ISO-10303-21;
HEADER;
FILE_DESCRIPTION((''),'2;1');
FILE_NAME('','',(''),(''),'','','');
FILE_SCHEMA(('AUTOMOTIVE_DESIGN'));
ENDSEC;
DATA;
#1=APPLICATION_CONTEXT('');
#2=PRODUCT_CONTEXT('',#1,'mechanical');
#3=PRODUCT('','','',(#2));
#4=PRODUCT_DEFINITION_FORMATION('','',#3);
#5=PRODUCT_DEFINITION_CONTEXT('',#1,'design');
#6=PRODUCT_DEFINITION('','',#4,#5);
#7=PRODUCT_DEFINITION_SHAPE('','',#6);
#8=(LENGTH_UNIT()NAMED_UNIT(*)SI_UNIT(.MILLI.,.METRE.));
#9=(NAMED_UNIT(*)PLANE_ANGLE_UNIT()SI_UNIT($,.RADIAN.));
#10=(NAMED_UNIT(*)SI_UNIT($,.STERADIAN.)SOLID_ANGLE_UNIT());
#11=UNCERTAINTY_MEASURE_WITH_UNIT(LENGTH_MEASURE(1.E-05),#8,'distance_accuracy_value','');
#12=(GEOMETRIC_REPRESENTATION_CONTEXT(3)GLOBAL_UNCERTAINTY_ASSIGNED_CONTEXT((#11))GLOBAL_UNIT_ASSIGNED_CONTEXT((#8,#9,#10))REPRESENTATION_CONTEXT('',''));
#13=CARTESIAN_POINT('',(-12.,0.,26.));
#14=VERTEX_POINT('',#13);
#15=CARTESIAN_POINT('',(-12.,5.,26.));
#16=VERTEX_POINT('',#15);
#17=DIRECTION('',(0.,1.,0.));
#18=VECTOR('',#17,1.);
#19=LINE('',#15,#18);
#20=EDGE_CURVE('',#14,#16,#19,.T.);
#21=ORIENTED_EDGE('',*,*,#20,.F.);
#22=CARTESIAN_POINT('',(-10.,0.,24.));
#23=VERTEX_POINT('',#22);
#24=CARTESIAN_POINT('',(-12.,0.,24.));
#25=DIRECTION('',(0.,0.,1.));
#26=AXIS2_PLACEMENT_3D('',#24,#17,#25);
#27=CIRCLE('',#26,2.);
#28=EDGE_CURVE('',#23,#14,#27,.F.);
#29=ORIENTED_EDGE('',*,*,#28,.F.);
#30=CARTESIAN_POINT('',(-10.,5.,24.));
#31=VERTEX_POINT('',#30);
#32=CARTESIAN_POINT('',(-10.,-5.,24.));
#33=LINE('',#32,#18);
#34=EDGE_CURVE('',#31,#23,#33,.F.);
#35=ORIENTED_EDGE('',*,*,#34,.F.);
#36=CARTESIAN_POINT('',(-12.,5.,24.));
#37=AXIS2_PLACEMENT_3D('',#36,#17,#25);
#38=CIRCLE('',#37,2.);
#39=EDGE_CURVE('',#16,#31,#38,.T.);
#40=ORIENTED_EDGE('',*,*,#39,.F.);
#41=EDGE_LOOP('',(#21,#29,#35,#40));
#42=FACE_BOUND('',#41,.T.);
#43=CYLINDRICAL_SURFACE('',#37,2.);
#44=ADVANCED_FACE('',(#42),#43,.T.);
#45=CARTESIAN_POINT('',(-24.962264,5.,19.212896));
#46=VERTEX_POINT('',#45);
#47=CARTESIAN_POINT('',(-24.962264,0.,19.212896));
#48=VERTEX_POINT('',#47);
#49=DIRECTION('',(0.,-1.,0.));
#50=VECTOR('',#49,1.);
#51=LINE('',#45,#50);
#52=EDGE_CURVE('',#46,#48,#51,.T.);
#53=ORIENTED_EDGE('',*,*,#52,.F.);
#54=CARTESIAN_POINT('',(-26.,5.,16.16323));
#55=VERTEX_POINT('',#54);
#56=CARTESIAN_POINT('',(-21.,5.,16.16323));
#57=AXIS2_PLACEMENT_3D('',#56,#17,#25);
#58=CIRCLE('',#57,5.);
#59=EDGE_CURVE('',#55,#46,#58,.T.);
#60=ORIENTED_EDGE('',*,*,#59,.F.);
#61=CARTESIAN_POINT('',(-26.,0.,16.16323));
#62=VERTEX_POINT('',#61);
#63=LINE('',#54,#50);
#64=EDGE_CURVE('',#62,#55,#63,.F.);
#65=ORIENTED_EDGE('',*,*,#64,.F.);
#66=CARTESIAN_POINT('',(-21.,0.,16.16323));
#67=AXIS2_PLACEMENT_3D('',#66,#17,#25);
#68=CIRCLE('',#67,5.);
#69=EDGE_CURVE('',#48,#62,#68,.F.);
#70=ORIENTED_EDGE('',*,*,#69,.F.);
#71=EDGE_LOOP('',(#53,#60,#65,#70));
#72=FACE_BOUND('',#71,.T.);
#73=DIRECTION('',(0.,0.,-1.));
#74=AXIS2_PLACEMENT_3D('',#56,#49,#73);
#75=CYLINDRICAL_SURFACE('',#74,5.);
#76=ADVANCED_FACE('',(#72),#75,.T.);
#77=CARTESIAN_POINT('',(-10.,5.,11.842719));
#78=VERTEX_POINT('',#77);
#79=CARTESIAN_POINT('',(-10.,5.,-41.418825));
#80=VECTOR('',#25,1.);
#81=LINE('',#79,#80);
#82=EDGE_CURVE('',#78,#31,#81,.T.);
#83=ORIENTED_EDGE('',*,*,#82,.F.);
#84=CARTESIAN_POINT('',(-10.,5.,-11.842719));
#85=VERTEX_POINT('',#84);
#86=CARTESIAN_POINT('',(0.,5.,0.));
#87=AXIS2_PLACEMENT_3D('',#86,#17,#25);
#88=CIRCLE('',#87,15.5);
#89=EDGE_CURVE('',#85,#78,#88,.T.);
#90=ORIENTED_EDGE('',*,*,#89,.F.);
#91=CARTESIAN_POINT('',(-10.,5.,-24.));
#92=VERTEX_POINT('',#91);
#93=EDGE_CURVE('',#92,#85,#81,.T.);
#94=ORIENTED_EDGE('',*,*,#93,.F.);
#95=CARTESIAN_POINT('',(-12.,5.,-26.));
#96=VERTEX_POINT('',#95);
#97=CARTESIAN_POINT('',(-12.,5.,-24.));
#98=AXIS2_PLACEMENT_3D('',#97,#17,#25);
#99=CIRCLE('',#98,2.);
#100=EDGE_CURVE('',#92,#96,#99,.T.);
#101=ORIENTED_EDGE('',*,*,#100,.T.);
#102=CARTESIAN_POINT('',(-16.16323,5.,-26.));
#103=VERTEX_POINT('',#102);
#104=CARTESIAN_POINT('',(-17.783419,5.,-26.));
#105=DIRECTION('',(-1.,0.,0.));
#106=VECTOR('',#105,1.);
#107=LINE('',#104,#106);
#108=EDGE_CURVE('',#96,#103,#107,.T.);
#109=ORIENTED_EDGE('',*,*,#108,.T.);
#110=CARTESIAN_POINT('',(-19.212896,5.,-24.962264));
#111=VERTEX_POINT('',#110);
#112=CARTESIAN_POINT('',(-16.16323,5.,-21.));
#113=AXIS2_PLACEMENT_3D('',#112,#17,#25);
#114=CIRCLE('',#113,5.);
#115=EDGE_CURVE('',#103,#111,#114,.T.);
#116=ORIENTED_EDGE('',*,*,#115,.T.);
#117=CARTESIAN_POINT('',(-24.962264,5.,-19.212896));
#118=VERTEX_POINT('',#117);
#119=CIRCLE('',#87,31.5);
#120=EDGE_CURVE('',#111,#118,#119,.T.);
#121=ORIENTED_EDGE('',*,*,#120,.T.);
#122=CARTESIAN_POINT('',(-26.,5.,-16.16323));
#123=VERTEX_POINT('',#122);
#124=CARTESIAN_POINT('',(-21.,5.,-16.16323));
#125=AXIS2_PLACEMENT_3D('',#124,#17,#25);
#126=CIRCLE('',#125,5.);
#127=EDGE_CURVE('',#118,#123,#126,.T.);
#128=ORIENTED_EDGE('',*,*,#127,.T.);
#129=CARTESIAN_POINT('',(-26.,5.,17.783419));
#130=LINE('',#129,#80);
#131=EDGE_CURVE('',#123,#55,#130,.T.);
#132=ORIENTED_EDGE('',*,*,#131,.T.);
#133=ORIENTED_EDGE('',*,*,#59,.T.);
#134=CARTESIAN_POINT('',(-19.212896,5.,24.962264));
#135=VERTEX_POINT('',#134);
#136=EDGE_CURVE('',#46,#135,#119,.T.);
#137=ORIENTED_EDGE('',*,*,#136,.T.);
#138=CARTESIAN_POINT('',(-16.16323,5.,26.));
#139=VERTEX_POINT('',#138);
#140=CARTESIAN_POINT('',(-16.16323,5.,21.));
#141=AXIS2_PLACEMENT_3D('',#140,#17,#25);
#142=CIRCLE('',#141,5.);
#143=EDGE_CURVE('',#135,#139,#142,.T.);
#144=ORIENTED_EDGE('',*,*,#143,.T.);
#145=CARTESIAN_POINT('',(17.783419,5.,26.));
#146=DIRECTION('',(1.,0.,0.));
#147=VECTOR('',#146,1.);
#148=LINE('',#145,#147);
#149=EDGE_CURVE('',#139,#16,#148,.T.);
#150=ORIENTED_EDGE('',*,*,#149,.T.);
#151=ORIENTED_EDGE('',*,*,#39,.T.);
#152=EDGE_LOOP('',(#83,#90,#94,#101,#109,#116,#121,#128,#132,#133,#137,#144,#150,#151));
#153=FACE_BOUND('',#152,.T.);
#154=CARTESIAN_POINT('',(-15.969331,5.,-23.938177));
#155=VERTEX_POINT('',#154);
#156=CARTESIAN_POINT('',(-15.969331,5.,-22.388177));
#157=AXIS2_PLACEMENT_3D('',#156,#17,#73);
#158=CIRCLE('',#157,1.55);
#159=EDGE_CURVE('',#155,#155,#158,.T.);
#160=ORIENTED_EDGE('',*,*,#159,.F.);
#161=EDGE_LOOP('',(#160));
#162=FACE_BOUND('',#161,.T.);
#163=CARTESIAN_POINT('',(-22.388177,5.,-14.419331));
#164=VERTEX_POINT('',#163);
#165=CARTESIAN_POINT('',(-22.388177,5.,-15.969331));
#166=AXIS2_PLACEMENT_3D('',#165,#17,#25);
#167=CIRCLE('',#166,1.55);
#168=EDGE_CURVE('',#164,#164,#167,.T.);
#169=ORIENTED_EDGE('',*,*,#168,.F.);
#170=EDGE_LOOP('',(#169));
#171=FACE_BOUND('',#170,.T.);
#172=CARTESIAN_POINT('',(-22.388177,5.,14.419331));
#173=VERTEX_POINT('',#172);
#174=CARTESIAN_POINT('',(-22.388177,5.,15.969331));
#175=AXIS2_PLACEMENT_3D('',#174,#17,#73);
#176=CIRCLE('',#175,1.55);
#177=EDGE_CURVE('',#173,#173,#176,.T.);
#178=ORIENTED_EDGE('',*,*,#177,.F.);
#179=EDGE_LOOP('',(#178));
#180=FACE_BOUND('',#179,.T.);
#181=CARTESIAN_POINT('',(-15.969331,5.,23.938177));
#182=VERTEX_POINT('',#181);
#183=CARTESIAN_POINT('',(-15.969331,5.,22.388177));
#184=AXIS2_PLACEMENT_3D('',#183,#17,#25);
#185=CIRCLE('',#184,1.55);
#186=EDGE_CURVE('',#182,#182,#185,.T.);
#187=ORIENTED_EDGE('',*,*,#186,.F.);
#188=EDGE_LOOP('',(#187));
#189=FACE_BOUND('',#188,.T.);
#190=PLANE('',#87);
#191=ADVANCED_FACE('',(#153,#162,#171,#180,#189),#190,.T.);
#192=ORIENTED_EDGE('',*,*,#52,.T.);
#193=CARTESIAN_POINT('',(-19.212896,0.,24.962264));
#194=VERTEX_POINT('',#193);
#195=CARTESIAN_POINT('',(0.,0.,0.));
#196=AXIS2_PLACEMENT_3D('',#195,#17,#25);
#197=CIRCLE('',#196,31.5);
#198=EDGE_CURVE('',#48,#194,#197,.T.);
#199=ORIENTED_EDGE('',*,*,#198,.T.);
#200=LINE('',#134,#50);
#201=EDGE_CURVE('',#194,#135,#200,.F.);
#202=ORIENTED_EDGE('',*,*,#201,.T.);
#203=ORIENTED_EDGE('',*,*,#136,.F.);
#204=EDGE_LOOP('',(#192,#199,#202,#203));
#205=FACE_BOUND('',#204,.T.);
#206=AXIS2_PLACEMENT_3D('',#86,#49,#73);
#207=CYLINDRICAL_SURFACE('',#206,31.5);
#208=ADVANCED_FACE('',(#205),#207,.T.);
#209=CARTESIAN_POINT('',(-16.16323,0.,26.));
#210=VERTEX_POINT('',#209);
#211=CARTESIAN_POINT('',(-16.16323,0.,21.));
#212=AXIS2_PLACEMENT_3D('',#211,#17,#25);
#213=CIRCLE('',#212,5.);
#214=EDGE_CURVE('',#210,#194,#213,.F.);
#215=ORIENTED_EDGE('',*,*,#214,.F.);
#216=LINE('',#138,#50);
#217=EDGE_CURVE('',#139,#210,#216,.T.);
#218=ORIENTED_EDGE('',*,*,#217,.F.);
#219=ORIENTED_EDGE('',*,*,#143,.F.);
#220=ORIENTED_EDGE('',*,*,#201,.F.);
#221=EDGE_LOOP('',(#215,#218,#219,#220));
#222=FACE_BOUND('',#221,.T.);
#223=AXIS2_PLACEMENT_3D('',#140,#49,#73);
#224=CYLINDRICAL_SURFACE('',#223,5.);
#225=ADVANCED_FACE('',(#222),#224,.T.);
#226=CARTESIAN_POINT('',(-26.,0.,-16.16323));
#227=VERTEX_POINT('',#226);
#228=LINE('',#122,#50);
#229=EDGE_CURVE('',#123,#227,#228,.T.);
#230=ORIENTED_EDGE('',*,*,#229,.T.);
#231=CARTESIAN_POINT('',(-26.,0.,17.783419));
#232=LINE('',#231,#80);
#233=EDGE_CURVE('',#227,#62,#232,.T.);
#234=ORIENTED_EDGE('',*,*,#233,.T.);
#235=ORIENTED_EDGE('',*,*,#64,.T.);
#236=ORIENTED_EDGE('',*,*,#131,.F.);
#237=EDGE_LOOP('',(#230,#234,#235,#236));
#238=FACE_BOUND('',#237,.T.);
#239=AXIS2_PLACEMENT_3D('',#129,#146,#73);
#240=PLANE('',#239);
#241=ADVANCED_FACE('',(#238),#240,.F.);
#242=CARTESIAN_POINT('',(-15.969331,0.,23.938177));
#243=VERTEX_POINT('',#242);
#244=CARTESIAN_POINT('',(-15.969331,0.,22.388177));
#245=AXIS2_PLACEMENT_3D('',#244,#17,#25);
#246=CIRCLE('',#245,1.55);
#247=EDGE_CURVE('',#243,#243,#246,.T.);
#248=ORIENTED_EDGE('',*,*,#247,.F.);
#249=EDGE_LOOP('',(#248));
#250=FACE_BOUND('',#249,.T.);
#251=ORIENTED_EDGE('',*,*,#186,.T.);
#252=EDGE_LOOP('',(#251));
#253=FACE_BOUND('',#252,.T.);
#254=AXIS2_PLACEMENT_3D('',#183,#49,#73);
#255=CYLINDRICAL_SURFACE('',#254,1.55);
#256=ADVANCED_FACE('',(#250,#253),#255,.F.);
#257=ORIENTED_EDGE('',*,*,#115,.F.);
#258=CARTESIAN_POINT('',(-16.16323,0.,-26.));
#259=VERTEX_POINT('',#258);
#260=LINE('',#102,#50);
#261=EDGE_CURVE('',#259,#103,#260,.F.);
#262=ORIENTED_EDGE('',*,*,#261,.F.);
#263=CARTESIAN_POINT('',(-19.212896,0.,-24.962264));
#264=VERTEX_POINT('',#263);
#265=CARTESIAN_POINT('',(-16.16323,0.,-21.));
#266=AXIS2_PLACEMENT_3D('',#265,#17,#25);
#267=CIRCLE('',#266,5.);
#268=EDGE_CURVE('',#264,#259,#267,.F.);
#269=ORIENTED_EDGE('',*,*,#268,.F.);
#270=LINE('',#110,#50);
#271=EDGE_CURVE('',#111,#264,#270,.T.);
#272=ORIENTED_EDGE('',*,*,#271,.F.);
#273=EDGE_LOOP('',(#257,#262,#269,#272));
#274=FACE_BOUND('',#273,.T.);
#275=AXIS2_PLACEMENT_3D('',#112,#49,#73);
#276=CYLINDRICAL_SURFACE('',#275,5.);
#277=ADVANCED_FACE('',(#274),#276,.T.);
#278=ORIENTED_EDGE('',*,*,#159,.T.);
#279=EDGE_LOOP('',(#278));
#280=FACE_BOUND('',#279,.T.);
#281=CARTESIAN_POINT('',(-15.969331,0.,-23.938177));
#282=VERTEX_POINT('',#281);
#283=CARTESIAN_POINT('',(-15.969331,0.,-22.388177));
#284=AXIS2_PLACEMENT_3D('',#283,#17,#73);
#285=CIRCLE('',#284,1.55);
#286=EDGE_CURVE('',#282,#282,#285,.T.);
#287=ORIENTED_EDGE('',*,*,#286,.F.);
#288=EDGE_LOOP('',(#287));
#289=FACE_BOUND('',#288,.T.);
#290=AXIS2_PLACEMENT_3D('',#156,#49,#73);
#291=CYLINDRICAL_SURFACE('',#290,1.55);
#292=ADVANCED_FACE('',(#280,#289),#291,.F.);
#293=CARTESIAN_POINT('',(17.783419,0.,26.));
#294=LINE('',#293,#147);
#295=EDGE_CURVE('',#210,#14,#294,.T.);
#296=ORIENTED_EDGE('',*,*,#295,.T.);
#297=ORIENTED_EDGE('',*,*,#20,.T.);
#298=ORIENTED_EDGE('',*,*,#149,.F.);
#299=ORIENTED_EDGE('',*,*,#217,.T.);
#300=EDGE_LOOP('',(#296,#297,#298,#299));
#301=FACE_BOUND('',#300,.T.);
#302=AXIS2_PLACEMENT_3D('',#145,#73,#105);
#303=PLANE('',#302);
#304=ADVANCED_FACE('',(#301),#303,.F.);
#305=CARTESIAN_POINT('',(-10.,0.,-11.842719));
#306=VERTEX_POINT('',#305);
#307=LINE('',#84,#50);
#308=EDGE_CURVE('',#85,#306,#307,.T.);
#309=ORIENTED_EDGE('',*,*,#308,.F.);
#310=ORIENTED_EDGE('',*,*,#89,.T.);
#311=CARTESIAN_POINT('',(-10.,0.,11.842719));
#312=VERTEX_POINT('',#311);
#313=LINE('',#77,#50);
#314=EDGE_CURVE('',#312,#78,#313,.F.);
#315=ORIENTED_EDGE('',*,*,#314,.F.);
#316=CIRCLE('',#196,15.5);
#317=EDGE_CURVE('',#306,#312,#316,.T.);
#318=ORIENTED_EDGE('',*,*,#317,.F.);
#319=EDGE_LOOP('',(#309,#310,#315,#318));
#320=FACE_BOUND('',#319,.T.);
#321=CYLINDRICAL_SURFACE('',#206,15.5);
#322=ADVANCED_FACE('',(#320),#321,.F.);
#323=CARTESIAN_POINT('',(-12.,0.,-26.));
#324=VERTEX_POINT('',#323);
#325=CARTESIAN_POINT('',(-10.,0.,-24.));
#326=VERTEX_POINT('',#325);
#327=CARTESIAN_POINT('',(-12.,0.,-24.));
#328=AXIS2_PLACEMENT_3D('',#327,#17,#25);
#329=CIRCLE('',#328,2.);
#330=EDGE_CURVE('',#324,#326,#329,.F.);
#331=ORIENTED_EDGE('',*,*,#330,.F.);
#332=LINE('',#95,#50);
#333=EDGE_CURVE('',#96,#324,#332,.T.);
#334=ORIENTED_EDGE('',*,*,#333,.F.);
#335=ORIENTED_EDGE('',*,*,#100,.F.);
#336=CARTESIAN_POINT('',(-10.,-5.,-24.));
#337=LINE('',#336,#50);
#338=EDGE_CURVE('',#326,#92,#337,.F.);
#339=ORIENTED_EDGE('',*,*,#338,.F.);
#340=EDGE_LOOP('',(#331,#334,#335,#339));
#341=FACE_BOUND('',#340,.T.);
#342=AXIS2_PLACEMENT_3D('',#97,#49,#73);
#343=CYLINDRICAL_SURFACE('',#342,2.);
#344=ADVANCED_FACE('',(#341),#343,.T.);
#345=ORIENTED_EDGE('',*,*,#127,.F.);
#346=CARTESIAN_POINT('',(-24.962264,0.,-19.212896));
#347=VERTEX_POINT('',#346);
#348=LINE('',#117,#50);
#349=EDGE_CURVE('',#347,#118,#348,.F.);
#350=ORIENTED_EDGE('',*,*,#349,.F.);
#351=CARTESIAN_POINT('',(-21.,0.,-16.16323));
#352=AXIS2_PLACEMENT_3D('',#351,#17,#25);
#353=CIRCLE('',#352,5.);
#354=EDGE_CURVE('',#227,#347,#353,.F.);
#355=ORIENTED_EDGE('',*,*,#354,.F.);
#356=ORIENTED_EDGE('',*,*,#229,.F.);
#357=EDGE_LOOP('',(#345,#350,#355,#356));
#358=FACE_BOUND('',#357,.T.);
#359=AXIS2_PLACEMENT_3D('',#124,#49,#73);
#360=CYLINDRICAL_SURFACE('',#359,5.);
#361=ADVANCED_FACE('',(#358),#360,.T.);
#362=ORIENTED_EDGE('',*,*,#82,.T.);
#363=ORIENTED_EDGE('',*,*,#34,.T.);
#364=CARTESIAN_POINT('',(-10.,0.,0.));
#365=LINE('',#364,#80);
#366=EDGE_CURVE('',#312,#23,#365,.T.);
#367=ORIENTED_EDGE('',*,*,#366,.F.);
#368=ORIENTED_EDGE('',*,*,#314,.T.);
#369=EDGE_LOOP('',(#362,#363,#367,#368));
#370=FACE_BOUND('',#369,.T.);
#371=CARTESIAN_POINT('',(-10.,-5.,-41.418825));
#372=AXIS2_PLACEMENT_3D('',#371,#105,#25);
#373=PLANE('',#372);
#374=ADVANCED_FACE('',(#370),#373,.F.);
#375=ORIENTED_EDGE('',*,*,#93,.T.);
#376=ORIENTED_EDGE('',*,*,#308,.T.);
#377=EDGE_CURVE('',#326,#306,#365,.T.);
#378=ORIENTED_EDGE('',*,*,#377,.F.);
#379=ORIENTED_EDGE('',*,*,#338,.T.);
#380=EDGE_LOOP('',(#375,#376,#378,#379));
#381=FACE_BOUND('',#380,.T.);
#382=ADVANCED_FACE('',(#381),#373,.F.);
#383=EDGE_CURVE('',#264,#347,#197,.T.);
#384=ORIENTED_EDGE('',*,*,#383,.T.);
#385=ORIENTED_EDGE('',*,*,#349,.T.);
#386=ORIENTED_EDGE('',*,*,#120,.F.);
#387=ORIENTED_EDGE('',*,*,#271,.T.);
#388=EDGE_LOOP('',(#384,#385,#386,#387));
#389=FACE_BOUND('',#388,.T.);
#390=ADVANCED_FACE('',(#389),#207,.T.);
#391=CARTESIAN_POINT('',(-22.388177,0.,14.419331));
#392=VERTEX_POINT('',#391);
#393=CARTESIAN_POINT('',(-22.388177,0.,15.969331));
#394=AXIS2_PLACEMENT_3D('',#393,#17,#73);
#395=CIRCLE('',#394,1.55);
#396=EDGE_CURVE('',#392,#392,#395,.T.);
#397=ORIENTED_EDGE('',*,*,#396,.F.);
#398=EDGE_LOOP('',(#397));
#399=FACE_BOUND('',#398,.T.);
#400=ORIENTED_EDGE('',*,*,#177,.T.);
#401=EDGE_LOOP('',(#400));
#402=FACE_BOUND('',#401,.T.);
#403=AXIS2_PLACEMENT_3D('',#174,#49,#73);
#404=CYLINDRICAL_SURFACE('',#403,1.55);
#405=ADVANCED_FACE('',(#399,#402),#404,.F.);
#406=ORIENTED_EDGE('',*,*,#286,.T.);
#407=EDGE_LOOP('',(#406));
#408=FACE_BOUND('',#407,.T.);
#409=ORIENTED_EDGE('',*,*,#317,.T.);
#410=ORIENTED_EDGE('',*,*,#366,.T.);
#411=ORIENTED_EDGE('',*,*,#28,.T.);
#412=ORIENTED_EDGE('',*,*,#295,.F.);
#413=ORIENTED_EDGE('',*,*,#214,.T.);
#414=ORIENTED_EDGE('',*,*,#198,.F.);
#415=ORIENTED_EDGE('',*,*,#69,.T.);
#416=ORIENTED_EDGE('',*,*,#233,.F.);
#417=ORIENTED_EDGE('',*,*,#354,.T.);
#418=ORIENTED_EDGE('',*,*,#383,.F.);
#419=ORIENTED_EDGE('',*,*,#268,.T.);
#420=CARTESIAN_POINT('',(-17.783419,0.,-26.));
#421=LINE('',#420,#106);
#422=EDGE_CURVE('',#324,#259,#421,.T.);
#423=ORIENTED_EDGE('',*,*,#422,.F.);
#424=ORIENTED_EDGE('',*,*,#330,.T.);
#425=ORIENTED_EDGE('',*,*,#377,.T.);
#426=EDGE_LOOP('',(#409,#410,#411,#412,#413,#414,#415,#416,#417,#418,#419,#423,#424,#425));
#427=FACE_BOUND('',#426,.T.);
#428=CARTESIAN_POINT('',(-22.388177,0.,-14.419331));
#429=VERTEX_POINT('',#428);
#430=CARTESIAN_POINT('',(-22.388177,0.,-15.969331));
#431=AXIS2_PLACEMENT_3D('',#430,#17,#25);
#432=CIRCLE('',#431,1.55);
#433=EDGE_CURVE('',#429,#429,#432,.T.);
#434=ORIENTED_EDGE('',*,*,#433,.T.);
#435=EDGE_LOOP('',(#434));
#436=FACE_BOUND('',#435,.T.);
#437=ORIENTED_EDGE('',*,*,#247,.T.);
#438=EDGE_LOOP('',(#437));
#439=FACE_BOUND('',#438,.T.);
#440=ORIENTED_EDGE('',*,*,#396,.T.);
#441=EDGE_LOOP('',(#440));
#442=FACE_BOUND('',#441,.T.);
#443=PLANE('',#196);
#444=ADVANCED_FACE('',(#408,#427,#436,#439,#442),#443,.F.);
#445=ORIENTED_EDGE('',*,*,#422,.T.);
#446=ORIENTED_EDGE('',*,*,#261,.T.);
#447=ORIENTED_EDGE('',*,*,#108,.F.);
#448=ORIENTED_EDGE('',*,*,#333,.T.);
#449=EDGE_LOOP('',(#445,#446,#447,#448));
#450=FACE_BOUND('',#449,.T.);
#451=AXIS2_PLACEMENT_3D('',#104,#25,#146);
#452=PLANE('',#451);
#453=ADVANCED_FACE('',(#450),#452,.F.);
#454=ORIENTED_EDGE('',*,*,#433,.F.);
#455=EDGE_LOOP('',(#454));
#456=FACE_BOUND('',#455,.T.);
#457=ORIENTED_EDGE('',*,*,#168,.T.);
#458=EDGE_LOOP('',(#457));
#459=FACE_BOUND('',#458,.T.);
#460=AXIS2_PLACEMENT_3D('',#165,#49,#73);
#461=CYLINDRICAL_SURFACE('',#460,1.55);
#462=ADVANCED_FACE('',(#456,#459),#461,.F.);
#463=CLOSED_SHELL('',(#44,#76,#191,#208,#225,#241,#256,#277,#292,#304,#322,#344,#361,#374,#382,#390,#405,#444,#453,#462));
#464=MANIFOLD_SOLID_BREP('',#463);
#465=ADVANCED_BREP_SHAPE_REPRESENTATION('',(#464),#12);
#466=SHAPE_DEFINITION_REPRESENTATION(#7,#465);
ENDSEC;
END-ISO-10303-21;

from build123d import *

# Parameters (mm, degrees)
SKETCH_1_R          = 15.5
SKETCH_1_R_2        = 1.55
EXTRUDE_1_DEPTH     = 5
SKETCH_3_W          = 44.726871009
SKETCH_3_H          = 71.780776613
CUT_EXTRUDE_2_DEPTH = 10
FILLET_1_R          = 2
FILLET_2_R          = 5


with BuildPart() as part:
    # 草图1 → 凸台-拉伸1 (new body)
    with BuildSketch(Plane(origin=(0, 0, 0), x_dir=(1, 0, 0), z_dir=(0, 1, 0))):
        with BuildLine():
            Line((-17.783419244, 26), (17.783419244, 26))
            ThreePointArc((17.783419244, 26), (22.273863607, 22.273863607), (26, 17.783419244))
            Line((26, 17.783419244), (26, -17.783419244))
            ThreePointArc((26, -17.783419244), (22.273863607, -22.273863607), (17.783419244, -26))
            Line((17.783419244, -26), (-17.783419244, -26))
            ThreePointArc((-17.783419244, -26), (-22.273863607, -22.273863607), (-26, -17.783419244))
            Line((-26, -17.783419244), (-26, 17.783419244))
            ThreePointArc((-26, 17.783419244), (-22.273863607, 22.273863607), (-17.783419244, 26))
        make_face()
        with Locations(Location((0, 0, 0), (0, 0, 270))):
            Circle(SKETCH_1_R, mode=Mode.SUBTRACT)
        with Locations(Location((-22.388176755, 15.969331282, 0), (0, 0, 270))):
            Circle(SKETCH_1_R_2, mode=Mode.SUBTRACT)
        with Locations(Location((-15.969331282, 22.388176755, 0), (0, 0, 90))):
            Circle(SKETCH_1_R_2, mode=Mode.SUBTRACT)
        with Locations(Location((22.388176755, 15.969331282, 0), (0, 0, 90))):
            Circle(SKETCH_1_R_2, mode=Mode.SUBTRACT)
        with Locations(Location((15.969331282, 22.388176755, 0), (0, 0, 270))):
            Circle(SKETCH_1_R_2, mode=Mode.SUBTRACT)
        with Locations(Location((22.388176755, -15.969331282, 0), (0, 0, 270))):
            Circle(SKETCH_1_R_2, mode=Mode.SUBTRACT)
        with Locations(Location((15.969331282, -22.388176755, 0), (0, 0, 90))):
            Circle(SKETCH_1_R_2, mode=Mode.SUBTRACT)
        with Locations(Location((-22.388176755, -15.969331282, 0), (0, 0, 90))):
            Circle(SKETCH_1_R_2, mode=Mode.SUBTRACT)
        with Locations(Location((-15.969331282, -22.388176755, 0), (0, 0, 270))):
            Circle(SKETCH_1_R_2, mode=Mode.SUBTRACT)
    extrude(amount=EXTRUDE_1_DEPTH)

    # 草图3 → 切除-拉伸2 (cut)
    with BuildSketch(Plane(origin=(0, 5, 0), x_dir=(1, 0, 0), z_dir=(0, 1, 0))):
        with Locations((12.363435504, 5.528436561)):
            Rectangle(SKETCH_3_W, SKETCH_3_H)
    extrude(amount=-CUT_EXTRUDE_2_DEPTH, mode=Mode.SUBTRACT)

    # 圆角1
    fillet_1_edges = [part.edges().sort_by_distance(p)[0] for p in [
        (-10, 2.5, -26),
        (-10, 2.5, 26),
    ]]
    fillet(fillet_1_edges, radius=FILLET_1_R)

    # 圆角2
    fillet_2_edges = [part.edges().sort_by_distance(p)[0] for p in [
        (-17.783419244, 2.5, -26),
        (-17.783419244, 2.5, 26),
        (-26, 2.5, 17.783419244),
        (-26, 2.5, -17.783419244),
    ]]
    fillet(fillet_2_edges, radius=FILLET_2_R)


solid = part.part
